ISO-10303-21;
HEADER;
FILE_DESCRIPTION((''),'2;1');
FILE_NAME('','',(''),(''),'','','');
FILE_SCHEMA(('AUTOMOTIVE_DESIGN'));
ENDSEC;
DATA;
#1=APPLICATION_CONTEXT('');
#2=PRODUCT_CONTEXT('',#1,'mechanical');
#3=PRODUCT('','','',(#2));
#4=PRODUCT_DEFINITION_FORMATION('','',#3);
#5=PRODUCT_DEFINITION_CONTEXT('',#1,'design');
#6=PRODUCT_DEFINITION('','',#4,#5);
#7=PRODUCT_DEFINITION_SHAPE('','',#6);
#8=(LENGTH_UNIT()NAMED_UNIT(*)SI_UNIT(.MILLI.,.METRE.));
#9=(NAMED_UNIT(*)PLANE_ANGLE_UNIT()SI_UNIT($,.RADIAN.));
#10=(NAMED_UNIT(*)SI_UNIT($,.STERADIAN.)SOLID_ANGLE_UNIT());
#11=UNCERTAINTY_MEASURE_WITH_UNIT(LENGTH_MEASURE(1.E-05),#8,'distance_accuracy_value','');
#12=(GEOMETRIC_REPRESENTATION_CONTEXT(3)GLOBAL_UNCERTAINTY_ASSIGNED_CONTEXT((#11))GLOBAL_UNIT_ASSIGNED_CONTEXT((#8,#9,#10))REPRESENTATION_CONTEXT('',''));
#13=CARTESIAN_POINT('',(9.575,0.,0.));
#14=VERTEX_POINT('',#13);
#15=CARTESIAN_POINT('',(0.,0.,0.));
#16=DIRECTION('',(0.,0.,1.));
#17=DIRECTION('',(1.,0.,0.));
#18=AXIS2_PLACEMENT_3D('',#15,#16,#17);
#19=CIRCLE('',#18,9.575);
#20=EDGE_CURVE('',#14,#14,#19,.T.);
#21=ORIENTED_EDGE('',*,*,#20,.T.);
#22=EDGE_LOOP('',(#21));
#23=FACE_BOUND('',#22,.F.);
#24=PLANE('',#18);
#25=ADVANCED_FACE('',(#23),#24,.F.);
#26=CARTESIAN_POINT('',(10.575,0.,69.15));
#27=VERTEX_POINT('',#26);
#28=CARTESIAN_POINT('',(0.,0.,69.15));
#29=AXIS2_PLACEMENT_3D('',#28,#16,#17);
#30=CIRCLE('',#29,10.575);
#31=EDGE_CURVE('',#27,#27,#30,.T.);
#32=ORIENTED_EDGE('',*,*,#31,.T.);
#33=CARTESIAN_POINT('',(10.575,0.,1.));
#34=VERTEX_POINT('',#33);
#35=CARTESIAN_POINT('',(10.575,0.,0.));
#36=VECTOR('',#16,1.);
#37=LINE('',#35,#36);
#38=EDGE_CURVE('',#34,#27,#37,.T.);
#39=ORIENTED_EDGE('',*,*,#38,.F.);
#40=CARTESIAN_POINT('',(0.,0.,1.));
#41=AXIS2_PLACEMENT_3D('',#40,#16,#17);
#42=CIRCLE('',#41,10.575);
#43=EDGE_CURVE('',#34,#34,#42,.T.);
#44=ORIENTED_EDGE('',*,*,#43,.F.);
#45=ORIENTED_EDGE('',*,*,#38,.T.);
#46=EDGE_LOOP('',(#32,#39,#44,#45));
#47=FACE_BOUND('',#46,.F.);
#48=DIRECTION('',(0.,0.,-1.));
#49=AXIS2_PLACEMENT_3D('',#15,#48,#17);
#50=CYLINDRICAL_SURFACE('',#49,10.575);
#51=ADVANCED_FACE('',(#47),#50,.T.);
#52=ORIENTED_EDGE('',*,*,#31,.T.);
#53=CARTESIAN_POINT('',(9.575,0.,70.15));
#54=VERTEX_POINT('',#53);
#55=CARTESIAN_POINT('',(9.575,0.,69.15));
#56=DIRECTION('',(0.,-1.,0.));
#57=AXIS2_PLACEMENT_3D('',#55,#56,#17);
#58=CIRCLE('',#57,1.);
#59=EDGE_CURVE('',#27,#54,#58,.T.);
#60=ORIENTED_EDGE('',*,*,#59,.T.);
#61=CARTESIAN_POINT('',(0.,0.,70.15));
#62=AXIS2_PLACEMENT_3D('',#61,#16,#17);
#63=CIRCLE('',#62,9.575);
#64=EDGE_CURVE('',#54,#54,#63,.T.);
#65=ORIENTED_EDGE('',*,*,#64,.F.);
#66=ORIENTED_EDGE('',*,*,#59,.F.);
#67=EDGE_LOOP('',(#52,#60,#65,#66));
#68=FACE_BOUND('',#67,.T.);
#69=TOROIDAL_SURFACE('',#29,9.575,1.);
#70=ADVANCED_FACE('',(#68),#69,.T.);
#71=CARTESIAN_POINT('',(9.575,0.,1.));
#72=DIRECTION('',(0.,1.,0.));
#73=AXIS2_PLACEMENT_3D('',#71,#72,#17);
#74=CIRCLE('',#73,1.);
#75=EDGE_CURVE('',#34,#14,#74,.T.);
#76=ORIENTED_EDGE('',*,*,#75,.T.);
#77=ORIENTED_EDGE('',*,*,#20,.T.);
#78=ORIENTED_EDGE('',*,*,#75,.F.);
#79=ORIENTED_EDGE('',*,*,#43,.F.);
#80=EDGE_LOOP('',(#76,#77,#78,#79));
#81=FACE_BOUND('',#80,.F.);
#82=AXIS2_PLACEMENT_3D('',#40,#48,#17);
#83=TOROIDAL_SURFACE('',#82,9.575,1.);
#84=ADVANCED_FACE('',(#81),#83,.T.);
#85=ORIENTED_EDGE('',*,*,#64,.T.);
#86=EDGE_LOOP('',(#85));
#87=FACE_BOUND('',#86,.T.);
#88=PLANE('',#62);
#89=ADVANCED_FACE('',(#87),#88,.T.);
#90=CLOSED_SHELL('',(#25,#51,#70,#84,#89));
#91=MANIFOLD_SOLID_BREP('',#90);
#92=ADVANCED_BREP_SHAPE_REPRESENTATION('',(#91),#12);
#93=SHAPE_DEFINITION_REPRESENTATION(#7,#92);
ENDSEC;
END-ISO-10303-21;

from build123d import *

# Parameters (mm, degrees)
SKETCH_R  = 10.575
PAD_DEPTH = 70.15
FILLET_R  = 1


with BuildPart() as part:
    # Sketch → Pad (new body)
    with BuildSketch(Plane.XY):
        Circle(SKETCH_R)
    extrude(amount=PAD_DEPTH)

    # Fillet
    fillet_edges = [part.edges().sort_by_distance(p)[0] for p in [
        (-10.575, 0, 70.15),
        (-10.575, 0, 0),
    ]]
    fillet(fillet_edges, radius=FILLET_R)


solid = part.part
